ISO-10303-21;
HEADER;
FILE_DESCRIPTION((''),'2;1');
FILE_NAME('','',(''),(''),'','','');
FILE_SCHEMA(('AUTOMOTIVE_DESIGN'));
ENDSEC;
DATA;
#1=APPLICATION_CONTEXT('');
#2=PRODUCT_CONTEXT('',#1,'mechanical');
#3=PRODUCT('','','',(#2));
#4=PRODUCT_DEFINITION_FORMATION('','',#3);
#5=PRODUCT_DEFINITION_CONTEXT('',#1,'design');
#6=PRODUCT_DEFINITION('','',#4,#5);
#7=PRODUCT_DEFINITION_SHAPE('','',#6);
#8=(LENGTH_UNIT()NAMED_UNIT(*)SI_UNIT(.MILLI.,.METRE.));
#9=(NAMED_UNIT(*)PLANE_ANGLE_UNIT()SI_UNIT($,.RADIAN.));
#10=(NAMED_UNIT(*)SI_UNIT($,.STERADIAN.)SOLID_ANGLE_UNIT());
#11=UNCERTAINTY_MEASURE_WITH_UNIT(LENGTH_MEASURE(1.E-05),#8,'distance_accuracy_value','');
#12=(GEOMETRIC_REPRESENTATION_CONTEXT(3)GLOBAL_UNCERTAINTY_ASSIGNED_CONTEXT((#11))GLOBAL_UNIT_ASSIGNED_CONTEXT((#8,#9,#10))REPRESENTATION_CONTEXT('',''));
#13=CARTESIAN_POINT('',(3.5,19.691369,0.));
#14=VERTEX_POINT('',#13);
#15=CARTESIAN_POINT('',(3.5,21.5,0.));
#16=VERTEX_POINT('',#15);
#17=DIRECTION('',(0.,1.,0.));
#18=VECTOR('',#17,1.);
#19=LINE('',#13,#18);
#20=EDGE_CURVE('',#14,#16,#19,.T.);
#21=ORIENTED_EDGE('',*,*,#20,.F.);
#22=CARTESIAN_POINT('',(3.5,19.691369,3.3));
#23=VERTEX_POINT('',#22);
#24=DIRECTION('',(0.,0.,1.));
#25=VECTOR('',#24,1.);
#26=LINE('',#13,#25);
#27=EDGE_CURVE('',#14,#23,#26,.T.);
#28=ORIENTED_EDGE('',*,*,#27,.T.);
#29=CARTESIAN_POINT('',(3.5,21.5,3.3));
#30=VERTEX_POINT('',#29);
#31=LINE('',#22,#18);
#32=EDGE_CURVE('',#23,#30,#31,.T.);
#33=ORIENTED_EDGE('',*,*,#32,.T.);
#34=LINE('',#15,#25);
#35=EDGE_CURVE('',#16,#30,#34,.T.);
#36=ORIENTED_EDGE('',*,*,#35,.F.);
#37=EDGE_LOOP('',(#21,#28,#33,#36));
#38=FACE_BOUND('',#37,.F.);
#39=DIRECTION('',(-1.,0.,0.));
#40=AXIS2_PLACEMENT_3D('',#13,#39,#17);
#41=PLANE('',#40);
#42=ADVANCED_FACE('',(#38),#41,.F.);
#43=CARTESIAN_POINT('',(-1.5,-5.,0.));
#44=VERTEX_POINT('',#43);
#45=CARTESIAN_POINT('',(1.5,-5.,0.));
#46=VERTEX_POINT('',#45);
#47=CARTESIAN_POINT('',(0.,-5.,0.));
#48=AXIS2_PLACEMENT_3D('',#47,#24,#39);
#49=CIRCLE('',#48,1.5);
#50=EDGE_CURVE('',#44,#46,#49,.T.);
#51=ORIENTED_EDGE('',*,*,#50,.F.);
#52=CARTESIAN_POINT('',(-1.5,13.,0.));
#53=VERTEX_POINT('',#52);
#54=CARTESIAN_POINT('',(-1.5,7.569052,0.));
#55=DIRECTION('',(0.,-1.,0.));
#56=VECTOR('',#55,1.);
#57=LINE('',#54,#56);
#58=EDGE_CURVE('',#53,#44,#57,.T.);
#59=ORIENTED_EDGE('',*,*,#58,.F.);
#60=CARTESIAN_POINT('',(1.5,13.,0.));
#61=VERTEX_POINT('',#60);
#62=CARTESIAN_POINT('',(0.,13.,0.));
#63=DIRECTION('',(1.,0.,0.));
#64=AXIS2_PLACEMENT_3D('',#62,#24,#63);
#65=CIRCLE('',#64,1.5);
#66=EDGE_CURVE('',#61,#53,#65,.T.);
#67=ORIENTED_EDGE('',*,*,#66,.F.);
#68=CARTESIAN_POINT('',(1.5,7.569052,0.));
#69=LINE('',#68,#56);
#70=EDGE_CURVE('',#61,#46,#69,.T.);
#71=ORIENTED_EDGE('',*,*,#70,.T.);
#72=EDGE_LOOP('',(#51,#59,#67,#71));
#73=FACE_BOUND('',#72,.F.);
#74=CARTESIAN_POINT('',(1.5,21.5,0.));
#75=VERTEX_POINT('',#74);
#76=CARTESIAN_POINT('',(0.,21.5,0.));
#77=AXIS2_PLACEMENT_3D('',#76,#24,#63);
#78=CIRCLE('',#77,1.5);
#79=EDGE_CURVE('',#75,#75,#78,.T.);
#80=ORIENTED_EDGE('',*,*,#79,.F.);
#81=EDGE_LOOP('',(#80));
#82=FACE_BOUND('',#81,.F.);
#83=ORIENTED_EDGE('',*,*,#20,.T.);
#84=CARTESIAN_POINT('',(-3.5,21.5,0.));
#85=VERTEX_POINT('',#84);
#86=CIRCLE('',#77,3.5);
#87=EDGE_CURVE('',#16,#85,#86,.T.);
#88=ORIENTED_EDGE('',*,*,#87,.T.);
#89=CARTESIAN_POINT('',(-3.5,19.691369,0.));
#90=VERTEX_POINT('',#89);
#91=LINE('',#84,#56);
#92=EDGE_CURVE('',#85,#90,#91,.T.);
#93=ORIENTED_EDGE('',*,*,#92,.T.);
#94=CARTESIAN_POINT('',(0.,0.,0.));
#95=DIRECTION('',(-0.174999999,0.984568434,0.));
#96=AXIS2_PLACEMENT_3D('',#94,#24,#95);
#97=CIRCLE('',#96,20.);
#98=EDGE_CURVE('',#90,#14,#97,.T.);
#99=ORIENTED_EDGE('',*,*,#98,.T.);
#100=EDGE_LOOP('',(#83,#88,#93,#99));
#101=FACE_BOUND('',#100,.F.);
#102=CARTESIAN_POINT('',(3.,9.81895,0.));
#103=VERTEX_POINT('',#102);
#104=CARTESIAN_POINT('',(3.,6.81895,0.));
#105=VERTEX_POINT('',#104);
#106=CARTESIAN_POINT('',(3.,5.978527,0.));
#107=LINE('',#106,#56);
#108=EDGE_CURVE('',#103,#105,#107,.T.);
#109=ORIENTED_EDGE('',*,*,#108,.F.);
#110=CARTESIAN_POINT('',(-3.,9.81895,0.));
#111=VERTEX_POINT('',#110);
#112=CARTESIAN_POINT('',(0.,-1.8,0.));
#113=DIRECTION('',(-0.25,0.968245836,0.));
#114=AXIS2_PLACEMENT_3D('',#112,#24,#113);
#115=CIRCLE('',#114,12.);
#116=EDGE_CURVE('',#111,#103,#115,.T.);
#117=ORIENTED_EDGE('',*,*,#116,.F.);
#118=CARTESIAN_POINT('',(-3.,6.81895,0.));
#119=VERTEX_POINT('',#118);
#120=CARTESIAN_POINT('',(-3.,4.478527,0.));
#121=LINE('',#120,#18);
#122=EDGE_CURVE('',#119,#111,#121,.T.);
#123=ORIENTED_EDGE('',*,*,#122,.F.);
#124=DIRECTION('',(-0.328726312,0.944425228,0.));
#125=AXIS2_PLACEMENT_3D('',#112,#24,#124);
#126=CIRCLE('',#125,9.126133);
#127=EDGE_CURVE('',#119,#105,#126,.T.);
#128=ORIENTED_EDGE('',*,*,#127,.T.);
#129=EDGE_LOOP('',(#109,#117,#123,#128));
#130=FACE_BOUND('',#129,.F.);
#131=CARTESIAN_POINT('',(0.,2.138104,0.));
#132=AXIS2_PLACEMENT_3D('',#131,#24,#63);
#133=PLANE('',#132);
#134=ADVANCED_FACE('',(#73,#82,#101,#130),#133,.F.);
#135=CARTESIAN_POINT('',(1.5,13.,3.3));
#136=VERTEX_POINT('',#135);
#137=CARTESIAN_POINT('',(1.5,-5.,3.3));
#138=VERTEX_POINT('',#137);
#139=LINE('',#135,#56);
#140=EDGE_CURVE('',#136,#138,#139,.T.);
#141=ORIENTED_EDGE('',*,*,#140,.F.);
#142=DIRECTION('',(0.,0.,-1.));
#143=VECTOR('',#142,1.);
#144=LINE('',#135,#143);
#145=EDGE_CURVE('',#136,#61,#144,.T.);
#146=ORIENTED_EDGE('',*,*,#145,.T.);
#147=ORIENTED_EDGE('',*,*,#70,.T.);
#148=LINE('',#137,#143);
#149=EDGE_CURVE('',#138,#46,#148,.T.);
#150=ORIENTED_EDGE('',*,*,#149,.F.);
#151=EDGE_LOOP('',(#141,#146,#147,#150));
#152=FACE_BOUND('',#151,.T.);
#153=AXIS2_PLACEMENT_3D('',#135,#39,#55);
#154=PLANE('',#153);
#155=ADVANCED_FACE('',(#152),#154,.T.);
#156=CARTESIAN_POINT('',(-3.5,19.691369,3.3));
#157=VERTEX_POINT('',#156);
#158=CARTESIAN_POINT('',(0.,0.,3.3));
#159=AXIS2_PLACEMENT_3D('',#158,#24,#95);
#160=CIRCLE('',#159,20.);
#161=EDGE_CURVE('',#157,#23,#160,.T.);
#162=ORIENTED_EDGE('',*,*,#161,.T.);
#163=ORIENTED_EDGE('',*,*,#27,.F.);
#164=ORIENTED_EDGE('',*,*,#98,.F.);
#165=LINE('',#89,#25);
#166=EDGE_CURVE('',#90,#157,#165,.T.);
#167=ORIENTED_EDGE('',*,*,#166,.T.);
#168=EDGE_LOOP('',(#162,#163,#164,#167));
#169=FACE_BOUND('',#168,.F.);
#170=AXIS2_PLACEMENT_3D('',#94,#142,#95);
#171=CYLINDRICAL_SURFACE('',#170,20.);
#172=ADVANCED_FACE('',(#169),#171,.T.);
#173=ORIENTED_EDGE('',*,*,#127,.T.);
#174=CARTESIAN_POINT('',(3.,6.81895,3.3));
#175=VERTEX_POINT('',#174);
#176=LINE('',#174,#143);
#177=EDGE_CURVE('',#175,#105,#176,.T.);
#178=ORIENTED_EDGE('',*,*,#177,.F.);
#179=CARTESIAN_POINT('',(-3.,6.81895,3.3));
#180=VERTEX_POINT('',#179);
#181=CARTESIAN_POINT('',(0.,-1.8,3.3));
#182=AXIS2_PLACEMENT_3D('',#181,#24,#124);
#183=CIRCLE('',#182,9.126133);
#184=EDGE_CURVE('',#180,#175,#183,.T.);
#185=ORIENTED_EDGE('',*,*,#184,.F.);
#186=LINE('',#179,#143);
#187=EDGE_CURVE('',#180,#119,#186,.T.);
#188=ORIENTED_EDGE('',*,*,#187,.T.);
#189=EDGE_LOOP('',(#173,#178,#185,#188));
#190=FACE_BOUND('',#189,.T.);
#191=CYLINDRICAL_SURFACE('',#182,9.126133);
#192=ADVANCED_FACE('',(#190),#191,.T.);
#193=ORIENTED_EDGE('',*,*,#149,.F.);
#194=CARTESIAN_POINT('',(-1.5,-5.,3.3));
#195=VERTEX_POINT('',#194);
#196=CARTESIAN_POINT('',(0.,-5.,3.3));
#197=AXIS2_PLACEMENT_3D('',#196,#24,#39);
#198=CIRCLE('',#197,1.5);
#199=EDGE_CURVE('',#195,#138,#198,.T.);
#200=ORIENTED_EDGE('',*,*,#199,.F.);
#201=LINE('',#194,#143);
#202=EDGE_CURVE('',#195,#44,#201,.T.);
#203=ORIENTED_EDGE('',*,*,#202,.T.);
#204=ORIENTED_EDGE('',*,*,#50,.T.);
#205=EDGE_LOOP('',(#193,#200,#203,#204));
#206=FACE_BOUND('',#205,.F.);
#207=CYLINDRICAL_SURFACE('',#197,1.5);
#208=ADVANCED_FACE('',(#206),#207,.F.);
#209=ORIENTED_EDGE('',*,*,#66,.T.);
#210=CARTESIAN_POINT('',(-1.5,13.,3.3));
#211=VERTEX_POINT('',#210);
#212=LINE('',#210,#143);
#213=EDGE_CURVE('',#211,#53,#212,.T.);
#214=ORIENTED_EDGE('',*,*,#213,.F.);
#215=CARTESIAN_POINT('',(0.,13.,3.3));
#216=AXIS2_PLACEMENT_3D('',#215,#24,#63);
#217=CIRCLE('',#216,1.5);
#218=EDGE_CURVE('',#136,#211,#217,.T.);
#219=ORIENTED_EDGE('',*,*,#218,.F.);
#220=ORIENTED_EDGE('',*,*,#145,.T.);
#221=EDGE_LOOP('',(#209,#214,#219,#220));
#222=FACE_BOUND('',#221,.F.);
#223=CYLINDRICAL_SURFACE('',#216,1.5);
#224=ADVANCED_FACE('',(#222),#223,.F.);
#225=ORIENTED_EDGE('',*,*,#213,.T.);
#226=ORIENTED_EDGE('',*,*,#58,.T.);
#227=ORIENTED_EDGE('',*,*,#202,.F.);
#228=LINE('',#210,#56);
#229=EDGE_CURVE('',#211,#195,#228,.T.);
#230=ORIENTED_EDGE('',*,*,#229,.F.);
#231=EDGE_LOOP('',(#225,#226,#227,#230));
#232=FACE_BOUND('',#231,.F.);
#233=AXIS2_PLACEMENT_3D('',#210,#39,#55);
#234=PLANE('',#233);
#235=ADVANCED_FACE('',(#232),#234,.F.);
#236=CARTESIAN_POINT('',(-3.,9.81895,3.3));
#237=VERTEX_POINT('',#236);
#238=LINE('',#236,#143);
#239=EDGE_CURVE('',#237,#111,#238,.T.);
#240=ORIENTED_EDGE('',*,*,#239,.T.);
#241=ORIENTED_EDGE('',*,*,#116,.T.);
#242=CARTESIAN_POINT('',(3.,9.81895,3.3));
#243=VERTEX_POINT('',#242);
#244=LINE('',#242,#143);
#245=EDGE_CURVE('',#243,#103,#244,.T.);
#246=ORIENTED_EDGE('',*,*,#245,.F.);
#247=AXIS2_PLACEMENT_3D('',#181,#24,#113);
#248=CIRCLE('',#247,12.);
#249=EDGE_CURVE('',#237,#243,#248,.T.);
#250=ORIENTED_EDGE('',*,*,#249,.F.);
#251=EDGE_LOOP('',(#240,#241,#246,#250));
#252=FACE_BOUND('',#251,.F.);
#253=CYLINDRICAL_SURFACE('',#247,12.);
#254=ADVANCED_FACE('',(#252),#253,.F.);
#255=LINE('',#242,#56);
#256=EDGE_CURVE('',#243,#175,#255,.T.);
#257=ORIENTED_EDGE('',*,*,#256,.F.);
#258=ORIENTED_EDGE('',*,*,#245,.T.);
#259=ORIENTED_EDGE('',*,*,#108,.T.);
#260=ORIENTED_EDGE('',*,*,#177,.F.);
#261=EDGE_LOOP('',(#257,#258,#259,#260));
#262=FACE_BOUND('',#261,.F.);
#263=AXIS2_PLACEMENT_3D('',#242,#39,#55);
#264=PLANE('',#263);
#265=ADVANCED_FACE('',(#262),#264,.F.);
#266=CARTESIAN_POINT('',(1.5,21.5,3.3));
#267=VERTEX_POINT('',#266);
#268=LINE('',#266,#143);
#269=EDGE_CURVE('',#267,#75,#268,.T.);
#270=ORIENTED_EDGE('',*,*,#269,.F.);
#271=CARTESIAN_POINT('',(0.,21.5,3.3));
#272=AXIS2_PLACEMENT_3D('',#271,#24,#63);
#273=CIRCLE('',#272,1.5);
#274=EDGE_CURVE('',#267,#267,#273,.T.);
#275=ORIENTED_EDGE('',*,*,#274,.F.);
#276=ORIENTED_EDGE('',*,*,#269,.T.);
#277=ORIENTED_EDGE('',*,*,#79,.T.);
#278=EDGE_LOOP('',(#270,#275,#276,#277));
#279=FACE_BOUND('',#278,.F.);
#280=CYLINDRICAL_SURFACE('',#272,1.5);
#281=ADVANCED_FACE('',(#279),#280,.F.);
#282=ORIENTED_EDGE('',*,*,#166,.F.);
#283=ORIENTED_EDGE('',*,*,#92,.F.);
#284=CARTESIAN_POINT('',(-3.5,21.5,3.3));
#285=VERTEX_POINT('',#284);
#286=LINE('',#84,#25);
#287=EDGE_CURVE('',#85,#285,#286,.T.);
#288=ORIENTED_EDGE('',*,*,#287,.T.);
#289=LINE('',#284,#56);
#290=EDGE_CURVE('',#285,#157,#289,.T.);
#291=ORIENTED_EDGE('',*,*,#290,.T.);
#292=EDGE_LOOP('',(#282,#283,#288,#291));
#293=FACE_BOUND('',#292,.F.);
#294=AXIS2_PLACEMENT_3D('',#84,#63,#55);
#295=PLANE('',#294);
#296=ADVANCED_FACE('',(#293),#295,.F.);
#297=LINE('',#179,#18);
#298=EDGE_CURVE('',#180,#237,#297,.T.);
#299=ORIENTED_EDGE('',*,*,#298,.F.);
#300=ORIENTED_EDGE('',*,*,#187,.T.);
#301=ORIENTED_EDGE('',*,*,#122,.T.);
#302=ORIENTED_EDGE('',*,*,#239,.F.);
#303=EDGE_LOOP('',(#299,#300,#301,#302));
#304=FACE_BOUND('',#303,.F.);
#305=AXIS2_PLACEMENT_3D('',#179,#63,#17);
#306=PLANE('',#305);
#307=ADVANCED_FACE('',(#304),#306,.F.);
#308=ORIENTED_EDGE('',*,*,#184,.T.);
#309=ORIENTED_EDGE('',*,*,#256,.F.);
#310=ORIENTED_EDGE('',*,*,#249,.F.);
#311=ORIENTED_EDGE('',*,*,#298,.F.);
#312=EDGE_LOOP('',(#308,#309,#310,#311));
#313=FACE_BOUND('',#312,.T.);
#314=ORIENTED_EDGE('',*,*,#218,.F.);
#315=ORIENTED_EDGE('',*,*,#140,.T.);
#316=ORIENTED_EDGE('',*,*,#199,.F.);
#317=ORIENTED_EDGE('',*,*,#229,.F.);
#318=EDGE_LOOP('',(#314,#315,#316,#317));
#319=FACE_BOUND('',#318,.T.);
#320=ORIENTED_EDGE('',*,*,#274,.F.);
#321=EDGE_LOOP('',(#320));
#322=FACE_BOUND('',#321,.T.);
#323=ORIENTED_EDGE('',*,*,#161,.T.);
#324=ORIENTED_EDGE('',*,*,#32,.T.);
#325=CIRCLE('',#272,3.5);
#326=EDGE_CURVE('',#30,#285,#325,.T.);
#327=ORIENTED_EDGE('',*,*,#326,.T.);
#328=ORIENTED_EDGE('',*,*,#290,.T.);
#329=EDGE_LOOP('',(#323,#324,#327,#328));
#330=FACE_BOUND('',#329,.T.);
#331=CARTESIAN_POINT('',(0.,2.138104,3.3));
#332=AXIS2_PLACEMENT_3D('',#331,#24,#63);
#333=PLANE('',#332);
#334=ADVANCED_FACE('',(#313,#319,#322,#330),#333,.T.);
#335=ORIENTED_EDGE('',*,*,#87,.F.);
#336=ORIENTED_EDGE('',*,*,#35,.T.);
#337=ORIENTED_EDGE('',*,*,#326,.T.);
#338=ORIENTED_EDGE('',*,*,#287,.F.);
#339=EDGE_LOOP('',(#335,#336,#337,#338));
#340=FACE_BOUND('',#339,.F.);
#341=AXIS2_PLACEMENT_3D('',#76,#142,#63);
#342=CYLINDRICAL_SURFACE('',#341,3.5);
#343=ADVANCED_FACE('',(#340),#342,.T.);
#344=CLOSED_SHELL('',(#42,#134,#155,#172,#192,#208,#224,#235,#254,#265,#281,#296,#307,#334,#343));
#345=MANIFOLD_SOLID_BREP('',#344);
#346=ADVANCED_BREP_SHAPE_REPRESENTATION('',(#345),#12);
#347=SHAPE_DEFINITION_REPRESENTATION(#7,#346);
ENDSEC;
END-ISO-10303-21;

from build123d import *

# Parameters (mm, degrees)
EXTRUDE_DEPTH   = 3.3
SKETCH001_R     = 1.5
POCKET_DEPTH    = 3.301
POCKET001_DEPTH = 3.301


with BuildPart() as part:
    # Sketch → Extrude (new body)
    with BuildSketch(Plane.XY):
        with BuildLine():
            ThreePointArc((3.5, 21.5), (0, 25), (-3.5, 21.5))
            Line((-3.5, 21.5), (-3.5, 19.691369))
            ThreePointArc((-3.5, 19.691369), (0, -20), (3.5, 19.691369))
            Line((3.5, 19.691369), (3.5, 21.5))
        make_face()
    extrude(amount=EXTRUDE_DEPTH)

    # Sketch001 (on Face6 of Extrude) → Pocket (cut, through all)
    with BuildSketch(Plane.XY.offset(3.3)):
        with Locations((0, 21.5)):
            Circle(SKETCH001_R)
    extrude(amount=-POCKET_DEPTH, mode=Mode.SUBTRACT)

    # Sketch002 (on Face6 of BaseFeature) → Pocket001 (cut, through all)
    with BuildSketch(Plane.XY.offset(3.3)):
        with BuildLine():
            Line((-1.5, 13), (-1.5, -5))
            ThreePointArc((-1.5, -5), (0, -6.5), (1.5, -5))
            Line((1.5, 13), (1.5, -5))
            ThreePointArc((1.5, 13), (0, 14.5), (-1.5, 13))
        make_face()
        with BuildLine():
            ThreePointArc((-3, 6.81895), (0, -10.926133), (3, 6.81895))
            Line((3, 9.81895), (3, 6.81895))
            ThreePointArc((-3, 9.81895), (0, -13.8), (3, 9.81895))
            Line((-3, 6.81895), (-3, 9.81895))
        make_face()
    extrude(amount=-POCKET001_DEPTH, mode=Mode.SUBTRACT)


solid = part.part
